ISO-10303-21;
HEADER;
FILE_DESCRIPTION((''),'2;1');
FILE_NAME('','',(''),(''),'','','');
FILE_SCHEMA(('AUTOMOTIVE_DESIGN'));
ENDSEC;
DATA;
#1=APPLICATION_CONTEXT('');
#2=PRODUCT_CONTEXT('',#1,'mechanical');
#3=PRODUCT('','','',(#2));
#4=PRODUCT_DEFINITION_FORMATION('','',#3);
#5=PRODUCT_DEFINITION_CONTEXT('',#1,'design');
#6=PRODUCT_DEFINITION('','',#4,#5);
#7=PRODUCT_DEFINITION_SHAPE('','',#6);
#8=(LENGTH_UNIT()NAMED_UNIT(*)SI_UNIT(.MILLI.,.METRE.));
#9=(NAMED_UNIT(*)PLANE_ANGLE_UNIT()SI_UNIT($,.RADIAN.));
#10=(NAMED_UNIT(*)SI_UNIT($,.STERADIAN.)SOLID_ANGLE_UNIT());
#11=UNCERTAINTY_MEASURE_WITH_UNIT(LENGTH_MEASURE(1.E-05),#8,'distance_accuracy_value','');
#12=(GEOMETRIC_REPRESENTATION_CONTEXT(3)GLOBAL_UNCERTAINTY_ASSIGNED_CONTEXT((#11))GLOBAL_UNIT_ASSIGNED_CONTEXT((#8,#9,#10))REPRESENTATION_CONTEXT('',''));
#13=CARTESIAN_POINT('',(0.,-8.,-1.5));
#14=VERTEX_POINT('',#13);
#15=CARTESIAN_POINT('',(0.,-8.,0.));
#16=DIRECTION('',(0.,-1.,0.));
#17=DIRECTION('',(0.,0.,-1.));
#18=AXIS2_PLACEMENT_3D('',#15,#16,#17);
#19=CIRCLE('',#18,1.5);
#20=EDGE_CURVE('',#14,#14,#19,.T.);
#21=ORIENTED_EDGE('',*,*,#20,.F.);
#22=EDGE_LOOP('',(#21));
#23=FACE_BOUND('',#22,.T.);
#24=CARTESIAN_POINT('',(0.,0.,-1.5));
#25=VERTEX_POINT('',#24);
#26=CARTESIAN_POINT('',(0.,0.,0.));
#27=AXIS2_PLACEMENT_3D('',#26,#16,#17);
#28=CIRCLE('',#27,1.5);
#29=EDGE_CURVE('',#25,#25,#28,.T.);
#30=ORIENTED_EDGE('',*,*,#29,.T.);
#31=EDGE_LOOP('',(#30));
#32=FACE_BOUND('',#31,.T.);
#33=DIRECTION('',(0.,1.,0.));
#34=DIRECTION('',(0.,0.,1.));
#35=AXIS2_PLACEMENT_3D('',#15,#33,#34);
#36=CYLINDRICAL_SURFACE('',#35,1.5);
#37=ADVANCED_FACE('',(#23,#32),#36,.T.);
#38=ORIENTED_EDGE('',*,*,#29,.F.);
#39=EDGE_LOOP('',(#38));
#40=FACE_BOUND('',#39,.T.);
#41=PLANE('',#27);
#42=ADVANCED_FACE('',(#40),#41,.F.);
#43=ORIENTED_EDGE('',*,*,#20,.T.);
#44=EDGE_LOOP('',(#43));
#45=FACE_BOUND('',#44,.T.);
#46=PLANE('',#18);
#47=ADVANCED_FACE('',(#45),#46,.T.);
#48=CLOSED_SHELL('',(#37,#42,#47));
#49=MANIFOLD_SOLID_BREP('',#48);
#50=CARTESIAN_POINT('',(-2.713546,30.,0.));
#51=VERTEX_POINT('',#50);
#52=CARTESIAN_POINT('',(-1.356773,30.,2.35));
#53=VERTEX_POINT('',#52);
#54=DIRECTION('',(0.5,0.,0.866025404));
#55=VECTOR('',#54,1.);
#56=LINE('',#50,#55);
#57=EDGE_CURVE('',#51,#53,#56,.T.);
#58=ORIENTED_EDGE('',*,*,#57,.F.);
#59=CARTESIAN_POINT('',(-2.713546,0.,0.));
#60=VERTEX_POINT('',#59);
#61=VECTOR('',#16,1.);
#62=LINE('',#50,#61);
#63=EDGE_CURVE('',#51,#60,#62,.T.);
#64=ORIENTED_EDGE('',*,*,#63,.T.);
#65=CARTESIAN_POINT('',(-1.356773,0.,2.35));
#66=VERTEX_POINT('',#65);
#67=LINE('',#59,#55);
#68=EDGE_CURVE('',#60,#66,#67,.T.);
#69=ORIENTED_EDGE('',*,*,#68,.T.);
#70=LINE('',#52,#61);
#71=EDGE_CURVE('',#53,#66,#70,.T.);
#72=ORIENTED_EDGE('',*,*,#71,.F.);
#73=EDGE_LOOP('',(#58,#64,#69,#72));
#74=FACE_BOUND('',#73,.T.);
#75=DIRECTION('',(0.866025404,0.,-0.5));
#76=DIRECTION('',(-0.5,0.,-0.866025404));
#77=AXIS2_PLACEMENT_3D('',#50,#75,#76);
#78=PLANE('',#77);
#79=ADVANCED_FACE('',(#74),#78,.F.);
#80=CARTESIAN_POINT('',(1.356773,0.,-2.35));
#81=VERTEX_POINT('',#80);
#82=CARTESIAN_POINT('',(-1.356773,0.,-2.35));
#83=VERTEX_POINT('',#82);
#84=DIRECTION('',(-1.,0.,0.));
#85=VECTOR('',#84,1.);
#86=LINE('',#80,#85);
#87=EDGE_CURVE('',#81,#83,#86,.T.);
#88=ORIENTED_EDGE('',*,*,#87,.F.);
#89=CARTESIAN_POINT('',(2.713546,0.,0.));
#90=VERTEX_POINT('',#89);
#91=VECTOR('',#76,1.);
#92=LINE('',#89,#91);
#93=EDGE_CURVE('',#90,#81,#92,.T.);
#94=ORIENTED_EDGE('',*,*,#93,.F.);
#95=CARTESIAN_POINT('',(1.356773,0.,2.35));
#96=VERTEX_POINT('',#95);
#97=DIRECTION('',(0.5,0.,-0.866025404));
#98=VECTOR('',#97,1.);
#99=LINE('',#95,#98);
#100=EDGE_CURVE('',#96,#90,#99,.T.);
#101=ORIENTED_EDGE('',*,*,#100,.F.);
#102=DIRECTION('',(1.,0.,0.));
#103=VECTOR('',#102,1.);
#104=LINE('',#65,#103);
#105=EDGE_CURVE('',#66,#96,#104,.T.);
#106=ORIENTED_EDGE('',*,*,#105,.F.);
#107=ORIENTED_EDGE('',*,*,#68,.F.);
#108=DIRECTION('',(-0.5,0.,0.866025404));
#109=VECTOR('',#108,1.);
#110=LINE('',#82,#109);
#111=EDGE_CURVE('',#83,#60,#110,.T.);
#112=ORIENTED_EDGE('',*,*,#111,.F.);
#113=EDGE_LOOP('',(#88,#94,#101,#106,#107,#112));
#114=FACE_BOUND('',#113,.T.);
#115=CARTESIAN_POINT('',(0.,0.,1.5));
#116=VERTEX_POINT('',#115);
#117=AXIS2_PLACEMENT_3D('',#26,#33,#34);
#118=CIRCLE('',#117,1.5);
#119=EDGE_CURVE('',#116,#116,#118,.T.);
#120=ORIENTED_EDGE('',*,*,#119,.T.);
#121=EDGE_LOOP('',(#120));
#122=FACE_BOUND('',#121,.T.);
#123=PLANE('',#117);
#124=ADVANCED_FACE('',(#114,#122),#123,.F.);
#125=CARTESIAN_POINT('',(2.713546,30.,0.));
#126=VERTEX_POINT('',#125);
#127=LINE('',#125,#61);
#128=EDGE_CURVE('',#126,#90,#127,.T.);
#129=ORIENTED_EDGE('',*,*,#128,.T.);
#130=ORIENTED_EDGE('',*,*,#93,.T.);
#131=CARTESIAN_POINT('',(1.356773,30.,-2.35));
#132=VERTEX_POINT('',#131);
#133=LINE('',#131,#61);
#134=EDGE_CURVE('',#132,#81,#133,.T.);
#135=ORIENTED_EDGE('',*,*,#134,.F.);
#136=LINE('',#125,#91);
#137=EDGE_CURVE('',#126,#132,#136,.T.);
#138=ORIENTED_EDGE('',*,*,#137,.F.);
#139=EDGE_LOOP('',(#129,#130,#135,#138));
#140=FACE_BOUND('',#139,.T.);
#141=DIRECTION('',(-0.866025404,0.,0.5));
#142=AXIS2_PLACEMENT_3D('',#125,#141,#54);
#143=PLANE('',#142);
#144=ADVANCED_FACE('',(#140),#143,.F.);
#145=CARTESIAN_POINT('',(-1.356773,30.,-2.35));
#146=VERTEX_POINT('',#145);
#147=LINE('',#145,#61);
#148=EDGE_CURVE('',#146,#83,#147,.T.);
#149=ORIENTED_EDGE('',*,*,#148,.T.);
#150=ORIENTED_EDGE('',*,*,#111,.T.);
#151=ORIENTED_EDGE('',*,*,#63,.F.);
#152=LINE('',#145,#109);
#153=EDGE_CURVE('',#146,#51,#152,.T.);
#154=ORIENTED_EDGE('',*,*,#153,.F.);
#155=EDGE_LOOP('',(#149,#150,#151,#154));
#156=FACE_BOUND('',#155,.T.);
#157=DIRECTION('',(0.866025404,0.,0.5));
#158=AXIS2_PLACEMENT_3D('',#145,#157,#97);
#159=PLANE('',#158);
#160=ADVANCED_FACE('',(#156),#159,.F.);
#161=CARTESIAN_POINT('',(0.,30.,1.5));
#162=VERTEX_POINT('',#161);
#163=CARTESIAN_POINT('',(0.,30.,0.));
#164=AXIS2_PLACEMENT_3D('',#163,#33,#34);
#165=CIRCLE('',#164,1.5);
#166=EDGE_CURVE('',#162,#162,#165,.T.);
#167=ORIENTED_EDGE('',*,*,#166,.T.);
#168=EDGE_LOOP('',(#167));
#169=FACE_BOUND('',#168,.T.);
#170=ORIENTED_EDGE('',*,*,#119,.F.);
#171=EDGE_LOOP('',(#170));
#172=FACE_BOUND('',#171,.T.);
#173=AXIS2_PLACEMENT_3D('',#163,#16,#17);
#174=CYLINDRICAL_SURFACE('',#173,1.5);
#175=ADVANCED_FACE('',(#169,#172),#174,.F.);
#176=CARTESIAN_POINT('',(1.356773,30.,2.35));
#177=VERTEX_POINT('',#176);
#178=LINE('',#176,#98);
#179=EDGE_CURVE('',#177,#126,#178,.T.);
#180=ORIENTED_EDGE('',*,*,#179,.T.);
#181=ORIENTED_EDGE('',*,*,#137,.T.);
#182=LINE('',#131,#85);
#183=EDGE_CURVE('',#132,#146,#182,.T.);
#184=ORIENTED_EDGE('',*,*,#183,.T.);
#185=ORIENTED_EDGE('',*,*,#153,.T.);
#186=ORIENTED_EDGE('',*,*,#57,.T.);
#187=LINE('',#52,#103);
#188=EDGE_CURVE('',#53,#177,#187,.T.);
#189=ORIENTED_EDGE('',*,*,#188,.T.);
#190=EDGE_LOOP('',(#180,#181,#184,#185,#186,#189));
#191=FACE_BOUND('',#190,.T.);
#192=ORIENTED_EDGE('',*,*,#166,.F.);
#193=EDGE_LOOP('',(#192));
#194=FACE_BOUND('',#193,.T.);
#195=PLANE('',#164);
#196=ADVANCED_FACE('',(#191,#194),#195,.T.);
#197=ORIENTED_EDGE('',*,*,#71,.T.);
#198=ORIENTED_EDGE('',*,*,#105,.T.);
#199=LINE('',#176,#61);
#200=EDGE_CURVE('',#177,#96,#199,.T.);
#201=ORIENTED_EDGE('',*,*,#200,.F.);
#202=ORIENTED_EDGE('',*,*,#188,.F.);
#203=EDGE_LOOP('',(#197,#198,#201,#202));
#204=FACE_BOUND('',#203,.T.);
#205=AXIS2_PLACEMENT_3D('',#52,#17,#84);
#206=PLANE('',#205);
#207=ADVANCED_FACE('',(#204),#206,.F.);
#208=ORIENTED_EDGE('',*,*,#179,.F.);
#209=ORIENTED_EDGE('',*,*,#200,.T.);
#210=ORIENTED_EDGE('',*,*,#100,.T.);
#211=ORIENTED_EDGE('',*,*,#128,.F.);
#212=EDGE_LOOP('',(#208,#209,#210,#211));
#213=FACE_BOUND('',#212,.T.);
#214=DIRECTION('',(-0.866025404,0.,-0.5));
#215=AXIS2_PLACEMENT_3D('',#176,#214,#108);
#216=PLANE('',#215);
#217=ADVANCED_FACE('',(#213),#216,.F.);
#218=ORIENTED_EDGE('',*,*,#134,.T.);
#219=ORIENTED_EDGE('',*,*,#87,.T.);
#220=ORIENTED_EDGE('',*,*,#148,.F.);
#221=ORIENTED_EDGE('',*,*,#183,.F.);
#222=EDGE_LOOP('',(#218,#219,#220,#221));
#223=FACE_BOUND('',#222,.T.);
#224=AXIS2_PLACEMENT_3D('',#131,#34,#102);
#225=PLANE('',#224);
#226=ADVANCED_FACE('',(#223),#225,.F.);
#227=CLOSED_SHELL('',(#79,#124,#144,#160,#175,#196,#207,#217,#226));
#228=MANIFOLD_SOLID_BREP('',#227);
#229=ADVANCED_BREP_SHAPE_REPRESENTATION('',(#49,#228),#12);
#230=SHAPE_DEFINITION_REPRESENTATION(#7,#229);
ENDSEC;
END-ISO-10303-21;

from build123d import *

# Parameters (mm, degrees)
SKETCH_1_R      = 1.5
EXTRUDE_1_DEPTH = 30
SKETCH_2_R      = 1.5
EXTRUDE_2_DEPTH = 8


with BuildPart() as part:
    # 草图1 → 凸台-拉伸1 (new body)
    with BuildSketch(Plane(origin=(0, 0, 0), x_dir=(1, 0, 0), z_dir=(0, 1, 0))):
        Polygon((2.713546265, 0), (1.356773133, 2.35), (-1.356773133, 2.35), (-2.713546265, 0), (-1.356773133, -2.35), (1.356773133, -2.35), align=None)
        with Locations(Location((0, 0, 0), (0, 0, 270))):
            Circle(SKETCH_1_R, mode=Mode.SUBTRACT)
    extrude(amount=EXTRUDE_1_DEPTH)


with BuildPart() as body_2:
    # 草图2 → 凸台-拉伸2 (new body)
    with BuildSketch(Plane(origin=(0, 0, 0), x_dir=(-1, 0, 0), z_dir=(0, -1, 0))):
        with Locations(Location((0, 0, 0), (0, 0, 90))):
            Circle(SKETCH_2_R)
    extrude(amount=EXTRUDE_2_DEPTH)


solid = Compound([part.part, body_2.part])
